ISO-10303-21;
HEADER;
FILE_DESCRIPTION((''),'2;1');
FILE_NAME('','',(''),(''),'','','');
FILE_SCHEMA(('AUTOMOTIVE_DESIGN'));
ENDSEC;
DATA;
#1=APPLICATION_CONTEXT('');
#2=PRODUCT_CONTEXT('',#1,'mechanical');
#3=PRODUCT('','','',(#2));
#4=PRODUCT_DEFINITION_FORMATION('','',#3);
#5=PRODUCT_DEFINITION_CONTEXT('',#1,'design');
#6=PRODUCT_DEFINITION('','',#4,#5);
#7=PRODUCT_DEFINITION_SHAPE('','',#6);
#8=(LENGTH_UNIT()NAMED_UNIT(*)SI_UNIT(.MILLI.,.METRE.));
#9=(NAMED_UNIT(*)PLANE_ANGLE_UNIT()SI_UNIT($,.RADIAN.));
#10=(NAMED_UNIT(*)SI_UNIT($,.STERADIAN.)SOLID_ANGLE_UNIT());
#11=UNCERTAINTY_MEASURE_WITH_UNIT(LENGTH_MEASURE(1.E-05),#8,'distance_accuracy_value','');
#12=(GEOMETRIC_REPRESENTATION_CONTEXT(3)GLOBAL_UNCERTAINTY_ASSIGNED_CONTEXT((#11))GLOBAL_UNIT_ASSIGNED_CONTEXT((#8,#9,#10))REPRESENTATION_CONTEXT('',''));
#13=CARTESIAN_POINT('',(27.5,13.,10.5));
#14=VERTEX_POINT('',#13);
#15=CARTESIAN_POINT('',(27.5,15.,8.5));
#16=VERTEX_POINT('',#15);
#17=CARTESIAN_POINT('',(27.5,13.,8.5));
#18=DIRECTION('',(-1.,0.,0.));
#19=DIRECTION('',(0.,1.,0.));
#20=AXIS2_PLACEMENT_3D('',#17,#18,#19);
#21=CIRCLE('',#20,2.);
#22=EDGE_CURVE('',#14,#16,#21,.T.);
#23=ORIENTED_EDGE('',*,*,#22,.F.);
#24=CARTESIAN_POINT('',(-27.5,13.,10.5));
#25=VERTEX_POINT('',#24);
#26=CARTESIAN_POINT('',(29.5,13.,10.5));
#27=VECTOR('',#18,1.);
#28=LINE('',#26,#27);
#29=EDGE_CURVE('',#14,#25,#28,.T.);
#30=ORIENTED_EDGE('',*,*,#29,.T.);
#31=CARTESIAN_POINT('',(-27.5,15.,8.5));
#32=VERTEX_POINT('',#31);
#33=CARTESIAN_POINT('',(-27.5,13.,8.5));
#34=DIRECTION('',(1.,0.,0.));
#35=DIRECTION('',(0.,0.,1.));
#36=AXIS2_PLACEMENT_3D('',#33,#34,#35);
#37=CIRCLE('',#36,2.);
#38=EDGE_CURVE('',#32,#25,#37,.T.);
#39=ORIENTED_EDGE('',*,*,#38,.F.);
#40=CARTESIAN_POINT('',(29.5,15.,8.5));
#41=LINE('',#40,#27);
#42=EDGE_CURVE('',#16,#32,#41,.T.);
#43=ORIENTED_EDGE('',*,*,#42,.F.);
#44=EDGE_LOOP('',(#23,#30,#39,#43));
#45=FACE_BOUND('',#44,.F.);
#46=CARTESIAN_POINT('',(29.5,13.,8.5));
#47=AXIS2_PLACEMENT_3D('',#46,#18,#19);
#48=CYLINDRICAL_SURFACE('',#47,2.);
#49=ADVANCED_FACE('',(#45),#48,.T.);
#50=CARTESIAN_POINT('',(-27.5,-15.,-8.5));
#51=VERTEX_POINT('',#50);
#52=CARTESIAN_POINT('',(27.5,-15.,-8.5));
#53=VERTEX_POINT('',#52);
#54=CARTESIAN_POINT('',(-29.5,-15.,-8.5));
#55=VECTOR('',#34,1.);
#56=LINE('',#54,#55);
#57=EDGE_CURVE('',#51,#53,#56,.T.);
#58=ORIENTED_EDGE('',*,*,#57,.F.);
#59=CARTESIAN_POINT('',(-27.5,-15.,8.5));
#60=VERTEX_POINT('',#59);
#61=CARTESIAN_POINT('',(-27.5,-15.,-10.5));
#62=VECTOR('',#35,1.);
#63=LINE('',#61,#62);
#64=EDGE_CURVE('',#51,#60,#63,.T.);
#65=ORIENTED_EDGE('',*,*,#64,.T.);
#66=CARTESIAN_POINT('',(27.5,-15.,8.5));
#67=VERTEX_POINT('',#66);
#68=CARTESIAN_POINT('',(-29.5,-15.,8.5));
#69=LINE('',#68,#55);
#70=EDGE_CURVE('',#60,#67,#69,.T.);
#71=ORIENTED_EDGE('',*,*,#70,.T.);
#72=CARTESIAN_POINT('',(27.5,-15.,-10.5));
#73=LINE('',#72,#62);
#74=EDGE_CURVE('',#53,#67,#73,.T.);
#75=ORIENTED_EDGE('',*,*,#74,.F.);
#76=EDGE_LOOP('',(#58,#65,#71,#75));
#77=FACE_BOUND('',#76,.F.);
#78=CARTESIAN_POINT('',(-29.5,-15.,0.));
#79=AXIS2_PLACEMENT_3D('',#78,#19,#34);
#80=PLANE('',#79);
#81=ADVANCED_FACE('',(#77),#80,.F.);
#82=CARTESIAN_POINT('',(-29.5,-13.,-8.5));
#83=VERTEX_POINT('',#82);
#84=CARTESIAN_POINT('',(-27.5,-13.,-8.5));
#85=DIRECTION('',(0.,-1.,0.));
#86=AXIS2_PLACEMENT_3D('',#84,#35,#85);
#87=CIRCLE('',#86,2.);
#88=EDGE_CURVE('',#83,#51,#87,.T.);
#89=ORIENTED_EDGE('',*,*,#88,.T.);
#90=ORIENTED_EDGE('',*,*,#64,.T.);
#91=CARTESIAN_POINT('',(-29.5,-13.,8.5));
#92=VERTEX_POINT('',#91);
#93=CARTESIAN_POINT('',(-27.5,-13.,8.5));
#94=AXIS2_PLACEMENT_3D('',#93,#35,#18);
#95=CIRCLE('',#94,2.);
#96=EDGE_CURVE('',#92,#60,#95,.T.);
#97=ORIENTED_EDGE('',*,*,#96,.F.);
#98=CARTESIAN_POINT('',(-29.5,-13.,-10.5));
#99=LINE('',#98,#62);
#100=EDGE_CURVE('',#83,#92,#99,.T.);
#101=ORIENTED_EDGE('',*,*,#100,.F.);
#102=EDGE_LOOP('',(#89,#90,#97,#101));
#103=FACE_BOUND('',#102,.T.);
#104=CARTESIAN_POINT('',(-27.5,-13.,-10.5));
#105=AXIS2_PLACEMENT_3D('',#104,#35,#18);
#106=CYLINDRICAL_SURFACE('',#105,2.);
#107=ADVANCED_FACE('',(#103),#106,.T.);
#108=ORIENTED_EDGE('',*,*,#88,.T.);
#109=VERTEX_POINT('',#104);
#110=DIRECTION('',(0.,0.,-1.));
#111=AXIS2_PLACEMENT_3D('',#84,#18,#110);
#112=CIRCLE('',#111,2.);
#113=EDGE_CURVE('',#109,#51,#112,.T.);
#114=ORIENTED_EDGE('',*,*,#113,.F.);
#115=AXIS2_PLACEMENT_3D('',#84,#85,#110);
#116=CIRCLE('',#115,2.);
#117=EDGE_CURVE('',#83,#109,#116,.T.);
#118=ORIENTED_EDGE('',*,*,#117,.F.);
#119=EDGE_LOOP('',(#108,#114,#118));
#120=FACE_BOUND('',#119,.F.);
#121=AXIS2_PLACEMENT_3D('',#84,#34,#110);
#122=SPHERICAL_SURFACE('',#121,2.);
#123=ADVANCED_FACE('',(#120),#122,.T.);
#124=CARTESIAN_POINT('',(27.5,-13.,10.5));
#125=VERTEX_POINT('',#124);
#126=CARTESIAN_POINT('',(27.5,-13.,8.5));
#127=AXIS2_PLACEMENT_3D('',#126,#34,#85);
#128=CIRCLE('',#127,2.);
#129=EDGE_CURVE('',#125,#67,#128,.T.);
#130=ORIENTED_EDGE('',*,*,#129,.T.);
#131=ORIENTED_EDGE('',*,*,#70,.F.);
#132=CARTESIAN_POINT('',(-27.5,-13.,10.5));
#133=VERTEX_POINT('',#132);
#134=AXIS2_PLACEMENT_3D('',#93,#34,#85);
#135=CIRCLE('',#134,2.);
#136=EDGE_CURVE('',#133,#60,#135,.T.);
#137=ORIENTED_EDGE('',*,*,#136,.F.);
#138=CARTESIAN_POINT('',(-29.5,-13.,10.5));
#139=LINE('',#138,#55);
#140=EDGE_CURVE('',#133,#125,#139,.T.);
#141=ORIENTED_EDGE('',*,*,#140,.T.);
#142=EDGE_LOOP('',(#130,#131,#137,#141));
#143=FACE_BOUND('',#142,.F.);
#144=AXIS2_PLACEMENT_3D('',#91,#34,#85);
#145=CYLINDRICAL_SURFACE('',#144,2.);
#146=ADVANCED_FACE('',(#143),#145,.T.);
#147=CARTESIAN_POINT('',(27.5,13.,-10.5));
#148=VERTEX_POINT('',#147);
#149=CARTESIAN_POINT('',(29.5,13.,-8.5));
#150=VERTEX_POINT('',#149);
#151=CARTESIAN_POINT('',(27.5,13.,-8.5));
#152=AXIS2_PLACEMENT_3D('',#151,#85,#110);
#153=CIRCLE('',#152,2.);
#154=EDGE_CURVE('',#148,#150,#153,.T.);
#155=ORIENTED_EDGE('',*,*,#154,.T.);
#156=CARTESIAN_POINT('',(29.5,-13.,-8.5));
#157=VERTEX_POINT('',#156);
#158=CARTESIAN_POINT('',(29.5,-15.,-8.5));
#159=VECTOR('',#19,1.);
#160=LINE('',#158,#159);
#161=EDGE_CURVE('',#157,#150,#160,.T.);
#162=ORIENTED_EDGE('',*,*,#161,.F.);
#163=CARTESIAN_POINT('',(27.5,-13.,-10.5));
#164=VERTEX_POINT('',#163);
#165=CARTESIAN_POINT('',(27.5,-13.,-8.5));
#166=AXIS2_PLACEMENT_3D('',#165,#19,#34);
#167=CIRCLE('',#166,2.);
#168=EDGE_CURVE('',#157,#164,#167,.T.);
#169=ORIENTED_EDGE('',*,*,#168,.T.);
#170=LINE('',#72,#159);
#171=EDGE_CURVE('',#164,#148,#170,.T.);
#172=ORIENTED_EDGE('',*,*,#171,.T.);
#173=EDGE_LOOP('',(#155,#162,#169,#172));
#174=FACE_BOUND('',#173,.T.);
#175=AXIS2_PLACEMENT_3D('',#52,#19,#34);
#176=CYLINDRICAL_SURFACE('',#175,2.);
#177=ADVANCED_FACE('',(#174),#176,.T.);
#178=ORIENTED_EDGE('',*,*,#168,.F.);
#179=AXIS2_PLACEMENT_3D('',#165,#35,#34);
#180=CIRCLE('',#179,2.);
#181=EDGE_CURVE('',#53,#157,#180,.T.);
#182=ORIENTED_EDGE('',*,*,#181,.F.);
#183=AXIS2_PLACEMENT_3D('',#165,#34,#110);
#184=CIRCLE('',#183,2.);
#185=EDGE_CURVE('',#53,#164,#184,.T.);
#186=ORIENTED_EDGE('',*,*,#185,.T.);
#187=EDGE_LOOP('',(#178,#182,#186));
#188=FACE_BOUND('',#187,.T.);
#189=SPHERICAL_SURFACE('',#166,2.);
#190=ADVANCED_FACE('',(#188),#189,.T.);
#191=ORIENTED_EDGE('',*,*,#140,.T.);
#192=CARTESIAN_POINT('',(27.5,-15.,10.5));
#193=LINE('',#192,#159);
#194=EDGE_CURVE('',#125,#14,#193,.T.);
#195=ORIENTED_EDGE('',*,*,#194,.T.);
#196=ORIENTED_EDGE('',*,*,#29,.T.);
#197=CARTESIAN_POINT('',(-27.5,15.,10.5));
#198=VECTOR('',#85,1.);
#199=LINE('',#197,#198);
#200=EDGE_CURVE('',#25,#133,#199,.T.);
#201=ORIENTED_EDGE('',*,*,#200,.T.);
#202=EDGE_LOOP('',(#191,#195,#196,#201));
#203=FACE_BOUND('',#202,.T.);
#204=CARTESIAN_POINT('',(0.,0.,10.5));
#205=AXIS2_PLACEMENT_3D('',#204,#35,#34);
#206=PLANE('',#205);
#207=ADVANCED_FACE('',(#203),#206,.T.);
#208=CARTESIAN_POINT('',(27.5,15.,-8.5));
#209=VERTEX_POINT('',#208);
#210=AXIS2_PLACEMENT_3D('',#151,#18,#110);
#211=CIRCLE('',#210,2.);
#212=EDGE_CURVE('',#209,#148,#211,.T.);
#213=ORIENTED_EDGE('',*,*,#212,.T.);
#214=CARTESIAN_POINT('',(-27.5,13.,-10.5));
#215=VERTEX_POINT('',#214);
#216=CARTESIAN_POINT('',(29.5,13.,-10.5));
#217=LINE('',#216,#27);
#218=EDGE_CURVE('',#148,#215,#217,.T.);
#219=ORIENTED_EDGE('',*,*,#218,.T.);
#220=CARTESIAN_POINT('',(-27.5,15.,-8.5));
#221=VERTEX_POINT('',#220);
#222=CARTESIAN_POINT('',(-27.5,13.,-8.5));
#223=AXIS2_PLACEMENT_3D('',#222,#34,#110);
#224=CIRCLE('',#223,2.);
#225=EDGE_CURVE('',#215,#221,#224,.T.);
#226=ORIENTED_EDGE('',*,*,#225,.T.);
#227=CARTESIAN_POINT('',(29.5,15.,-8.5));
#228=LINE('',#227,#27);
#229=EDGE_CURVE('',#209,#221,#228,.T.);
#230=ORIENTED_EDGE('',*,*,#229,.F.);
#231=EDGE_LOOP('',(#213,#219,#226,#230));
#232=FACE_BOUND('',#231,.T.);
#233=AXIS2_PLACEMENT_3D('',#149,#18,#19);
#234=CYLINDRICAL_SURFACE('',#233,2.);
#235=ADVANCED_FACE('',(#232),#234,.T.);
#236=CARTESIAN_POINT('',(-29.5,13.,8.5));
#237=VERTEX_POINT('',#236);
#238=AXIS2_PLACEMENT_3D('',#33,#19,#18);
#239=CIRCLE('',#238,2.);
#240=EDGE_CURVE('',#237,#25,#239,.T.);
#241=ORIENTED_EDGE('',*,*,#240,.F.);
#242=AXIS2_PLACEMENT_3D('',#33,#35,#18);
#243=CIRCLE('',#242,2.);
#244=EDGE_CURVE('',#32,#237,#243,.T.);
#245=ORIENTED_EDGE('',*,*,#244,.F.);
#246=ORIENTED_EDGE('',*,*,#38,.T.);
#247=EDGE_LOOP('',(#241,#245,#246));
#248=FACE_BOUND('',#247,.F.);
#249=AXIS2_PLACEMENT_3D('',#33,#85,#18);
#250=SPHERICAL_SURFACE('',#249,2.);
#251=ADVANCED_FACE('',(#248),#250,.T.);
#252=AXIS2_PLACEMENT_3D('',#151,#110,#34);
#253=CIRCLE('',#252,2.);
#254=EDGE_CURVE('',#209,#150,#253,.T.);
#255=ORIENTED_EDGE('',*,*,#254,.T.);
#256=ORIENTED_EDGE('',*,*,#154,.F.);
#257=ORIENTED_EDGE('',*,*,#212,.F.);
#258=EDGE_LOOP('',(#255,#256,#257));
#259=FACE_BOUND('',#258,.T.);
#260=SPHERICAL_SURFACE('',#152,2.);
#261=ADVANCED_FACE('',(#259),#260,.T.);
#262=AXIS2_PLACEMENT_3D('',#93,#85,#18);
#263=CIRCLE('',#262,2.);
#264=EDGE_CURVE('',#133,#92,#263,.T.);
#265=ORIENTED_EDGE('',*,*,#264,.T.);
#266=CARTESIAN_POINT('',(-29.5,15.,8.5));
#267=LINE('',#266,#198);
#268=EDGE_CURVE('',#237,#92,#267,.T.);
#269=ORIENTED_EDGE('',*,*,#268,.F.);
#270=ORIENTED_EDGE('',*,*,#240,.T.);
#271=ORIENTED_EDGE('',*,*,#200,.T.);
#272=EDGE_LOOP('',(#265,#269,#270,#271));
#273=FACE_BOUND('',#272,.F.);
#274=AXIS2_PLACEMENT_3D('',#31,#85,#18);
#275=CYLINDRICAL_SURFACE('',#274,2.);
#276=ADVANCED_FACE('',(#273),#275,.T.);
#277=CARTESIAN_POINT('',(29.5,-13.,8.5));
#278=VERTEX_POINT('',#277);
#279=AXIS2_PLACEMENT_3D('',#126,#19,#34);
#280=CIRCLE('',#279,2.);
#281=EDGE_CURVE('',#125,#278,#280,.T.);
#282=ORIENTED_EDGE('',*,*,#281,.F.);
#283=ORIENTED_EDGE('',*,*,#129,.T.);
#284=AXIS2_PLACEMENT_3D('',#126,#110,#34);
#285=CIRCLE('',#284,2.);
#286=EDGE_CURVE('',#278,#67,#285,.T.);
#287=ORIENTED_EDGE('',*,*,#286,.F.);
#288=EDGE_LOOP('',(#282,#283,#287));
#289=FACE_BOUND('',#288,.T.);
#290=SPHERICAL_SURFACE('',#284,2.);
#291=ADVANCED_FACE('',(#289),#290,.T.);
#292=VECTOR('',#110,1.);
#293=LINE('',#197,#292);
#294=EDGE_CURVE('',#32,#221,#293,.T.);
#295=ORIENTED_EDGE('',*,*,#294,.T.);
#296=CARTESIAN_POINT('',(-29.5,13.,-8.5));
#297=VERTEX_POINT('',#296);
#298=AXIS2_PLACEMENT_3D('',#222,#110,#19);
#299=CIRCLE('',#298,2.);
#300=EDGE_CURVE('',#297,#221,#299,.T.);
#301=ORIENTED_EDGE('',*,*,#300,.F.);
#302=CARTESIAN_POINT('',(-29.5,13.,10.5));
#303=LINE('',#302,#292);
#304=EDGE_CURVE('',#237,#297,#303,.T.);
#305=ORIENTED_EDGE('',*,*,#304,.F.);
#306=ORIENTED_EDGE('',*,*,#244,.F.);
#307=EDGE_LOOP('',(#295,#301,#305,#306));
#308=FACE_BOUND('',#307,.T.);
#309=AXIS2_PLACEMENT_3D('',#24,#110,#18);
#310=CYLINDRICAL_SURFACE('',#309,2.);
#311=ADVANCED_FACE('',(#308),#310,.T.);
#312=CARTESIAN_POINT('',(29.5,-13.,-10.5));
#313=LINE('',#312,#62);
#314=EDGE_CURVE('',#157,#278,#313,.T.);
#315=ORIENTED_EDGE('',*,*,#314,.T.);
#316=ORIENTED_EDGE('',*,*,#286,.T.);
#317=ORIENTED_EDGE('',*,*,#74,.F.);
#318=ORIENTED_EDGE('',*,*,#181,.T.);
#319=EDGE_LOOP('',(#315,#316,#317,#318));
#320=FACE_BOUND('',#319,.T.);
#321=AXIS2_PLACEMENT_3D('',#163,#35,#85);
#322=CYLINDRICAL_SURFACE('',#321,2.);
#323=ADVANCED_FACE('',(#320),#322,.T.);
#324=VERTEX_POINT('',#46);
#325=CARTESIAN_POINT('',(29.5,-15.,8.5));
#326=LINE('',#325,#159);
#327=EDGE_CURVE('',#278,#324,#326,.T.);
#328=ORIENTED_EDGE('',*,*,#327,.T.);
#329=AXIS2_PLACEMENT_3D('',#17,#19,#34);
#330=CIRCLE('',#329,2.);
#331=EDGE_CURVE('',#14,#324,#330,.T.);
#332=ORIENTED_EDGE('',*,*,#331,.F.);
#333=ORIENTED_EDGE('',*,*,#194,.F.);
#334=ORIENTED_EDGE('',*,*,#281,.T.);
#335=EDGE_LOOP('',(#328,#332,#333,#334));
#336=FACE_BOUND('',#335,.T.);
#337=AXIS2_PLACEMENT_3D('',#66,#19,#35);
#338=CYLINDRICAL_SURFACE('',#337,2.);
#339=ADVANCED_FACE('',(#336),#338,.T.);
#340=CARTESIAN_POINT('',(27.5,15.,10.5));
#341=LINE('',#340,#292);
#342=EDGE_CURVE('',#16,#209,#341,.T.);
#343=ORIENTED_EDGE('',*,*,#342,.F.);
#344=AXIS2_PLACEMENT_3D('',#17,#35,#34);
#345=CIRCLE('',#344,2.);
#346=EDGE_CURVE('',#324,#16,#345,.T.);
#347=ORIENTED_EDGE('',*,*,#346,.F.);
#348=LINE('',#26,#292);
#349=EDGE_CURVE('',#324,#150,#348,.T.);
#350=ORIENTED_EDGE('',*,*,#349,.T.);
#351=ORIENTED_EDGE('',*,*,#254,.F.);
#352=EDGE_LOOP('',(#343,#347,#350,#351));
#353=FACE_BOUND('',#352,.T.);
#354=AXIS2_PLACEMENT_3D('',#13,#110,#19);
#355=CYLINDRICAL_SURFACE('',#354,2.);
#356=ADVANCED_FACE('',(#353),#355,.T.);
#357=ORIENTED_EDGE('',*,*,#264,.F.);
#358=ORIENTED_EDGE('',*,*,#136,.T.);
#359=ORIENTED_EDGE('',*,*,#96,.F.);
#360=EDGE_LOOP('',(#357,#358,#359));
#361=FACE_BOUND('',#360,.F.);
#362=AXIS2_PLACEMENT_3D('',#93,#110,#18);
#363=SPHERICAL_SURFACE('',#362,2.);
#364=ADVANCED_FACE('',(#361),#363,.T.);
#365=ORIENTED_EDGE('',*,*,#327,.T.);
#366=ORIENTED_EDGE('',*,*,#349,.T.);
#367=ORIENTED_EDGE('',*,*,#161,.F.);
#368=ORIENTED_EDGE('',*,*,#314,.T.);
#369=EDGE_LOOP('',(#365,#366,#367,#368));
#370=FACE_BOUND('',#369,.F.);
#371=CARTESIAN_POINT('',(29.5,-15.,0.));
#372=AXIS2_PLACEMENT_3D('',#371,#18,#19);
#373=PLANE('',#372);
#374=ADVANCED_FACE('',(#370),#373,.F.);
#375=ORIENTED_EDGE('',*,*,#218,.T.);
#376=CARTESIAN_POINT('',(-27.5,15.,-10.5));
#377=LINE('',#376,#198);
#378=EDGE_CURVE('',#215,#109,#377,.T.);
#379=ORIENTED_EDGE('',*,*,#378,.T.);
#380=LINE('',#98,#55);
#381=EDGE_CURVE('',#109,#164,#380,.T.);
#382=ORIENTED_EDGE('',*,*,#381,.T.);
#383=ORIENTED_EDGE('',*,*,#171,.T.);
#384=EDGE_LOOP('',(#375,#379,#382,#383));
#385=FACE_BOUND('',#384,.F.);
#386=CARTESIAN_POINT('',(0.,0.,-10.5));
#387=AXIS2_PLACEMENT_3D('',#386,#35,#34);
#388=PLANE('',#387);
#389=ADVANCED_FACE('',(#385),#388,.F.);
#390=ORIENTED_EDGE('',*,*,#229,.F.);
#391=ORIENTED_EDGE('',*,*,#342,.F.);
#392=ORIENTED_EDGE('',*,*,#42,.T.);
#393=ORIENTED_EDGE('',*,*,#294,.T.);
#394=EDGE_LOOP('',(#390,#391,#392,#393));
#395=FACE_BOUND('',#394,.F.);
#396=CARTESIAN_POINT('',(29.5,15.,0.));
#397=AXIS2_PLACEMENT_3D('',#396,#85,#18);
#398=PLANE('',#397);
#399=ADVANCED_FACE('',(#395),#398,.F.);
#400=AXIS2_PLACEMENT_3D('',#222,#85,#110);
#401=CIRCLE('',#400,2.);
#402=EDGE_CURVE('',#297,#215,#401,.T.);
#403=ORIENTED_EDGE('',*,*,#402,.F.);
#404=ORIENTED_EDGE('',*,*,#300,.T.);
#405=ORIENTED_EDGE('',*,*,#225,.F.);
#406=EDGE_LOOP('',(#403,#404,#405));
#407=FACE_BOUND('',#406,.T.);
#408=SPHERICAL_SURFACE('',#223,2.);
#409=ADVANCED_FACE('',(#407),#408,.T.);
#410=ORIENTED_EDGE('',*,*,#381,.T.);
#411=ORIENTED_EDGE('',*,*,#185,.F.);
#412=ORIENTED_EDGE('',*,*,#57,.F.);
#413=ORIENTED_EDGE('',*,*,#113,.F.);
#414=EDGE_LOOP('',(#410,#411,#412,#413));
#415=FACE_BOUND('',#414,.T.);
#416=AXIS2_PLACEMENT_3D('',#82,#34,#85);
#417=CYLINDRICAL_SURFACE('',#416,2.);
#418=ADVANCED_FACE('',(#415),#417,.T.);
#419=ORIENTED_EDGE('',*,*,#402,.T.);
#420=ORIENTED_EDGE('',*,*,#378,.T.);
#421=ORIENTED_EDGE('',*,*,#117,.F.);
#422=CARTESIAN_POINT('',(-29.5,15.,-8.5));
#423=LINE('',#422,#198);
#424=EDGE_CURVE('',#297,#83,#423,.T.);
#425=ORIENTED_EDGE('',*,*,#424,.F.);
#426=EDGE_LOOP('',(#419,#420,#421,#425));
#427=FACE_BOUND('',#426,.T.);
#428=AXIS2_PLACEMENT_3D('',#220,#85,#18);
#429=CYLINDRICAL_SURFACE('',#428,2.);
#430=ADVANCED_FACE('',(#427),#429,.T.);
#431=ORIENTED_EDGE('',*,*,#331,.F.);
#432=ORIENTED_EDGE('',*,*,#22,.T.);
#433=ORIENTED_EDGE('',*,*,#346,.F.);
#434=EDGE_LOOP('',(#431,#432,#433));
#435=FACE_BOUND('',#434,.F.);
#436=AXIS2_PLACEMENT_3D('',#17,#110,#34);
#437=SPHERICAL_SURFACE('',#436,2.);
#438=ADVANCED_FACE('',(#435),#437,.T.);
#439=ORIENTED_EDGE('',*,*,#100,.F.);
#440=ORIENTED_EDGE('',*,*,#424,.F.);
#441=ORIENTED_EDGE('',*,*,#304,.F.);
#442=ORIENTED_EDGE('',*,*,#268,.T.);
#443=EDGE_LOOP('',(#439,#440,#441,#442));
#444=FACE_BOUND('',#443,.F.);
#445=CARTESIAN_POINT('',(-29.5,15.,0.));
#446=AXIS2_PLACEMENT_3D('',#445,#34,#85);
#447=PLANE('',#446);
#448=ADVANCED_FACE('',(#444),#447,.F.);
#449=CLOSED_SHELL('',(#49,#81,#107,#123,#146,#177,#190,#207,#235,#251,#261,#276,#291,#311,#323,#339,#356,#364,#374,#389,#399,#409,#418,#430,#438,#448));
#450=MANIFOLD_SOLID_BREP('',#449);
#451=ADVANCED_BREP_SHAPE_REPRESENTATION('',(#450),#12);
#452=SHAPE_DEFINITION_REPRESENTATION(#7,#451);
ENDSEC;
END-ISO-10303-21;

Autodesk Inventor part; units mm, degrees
ref_plane "YZ Plane" through (0, 0, 0) normal (1, 0, 0) x (0, 1, 0)
ref_plane "XZ Plane" through (0, 0, 0) normal (0, 1, 0) x (-1, 0, 0)
ref_plane "XY Plane" through (0, 0, 0) normal (0, 0, 1) x (1, 0, 0)
sketch "Skizze1" plane through (0, 0, 0) normal (0, 0, 1) x (1, 0, 0)
  line L0 (-29.5, -15) -> (29.5, -15)
  line L1 (29.5, -15) -> (29.5, 15)
  line L2 (29.5, 15) -> (-29.5, 15)
  line L3 (-29.5, 15) -> (-29.5, -15)
  line L4 (-29.5, -15) -> (29.5, 15) construction
  line L5 (29.5, -15) -> (-29.5, 15) construction
  point P0 (0, 0)
  dimension "d0" = 59
  dimension "d1" = 30
extrude "Extrusion1" add sketch "Skizze1" along normal mid plane 21
fillet "Rundung1" radius 2 12 edges at (29.5, 0, -10.5) (29.5, -15, 0) (0, -15, -10.5) (0, 15, -10.5) (29.5, 15, 0) (29.5, 0, 10.5) (-29.5, 0, -10.5) (-29.5, -15, 0) (-29.5, 0, 10.5) (-29.5, 15, 0) (0, -15, 10.5) (0, 15, 10.5)
properties part number "12V Akku"
